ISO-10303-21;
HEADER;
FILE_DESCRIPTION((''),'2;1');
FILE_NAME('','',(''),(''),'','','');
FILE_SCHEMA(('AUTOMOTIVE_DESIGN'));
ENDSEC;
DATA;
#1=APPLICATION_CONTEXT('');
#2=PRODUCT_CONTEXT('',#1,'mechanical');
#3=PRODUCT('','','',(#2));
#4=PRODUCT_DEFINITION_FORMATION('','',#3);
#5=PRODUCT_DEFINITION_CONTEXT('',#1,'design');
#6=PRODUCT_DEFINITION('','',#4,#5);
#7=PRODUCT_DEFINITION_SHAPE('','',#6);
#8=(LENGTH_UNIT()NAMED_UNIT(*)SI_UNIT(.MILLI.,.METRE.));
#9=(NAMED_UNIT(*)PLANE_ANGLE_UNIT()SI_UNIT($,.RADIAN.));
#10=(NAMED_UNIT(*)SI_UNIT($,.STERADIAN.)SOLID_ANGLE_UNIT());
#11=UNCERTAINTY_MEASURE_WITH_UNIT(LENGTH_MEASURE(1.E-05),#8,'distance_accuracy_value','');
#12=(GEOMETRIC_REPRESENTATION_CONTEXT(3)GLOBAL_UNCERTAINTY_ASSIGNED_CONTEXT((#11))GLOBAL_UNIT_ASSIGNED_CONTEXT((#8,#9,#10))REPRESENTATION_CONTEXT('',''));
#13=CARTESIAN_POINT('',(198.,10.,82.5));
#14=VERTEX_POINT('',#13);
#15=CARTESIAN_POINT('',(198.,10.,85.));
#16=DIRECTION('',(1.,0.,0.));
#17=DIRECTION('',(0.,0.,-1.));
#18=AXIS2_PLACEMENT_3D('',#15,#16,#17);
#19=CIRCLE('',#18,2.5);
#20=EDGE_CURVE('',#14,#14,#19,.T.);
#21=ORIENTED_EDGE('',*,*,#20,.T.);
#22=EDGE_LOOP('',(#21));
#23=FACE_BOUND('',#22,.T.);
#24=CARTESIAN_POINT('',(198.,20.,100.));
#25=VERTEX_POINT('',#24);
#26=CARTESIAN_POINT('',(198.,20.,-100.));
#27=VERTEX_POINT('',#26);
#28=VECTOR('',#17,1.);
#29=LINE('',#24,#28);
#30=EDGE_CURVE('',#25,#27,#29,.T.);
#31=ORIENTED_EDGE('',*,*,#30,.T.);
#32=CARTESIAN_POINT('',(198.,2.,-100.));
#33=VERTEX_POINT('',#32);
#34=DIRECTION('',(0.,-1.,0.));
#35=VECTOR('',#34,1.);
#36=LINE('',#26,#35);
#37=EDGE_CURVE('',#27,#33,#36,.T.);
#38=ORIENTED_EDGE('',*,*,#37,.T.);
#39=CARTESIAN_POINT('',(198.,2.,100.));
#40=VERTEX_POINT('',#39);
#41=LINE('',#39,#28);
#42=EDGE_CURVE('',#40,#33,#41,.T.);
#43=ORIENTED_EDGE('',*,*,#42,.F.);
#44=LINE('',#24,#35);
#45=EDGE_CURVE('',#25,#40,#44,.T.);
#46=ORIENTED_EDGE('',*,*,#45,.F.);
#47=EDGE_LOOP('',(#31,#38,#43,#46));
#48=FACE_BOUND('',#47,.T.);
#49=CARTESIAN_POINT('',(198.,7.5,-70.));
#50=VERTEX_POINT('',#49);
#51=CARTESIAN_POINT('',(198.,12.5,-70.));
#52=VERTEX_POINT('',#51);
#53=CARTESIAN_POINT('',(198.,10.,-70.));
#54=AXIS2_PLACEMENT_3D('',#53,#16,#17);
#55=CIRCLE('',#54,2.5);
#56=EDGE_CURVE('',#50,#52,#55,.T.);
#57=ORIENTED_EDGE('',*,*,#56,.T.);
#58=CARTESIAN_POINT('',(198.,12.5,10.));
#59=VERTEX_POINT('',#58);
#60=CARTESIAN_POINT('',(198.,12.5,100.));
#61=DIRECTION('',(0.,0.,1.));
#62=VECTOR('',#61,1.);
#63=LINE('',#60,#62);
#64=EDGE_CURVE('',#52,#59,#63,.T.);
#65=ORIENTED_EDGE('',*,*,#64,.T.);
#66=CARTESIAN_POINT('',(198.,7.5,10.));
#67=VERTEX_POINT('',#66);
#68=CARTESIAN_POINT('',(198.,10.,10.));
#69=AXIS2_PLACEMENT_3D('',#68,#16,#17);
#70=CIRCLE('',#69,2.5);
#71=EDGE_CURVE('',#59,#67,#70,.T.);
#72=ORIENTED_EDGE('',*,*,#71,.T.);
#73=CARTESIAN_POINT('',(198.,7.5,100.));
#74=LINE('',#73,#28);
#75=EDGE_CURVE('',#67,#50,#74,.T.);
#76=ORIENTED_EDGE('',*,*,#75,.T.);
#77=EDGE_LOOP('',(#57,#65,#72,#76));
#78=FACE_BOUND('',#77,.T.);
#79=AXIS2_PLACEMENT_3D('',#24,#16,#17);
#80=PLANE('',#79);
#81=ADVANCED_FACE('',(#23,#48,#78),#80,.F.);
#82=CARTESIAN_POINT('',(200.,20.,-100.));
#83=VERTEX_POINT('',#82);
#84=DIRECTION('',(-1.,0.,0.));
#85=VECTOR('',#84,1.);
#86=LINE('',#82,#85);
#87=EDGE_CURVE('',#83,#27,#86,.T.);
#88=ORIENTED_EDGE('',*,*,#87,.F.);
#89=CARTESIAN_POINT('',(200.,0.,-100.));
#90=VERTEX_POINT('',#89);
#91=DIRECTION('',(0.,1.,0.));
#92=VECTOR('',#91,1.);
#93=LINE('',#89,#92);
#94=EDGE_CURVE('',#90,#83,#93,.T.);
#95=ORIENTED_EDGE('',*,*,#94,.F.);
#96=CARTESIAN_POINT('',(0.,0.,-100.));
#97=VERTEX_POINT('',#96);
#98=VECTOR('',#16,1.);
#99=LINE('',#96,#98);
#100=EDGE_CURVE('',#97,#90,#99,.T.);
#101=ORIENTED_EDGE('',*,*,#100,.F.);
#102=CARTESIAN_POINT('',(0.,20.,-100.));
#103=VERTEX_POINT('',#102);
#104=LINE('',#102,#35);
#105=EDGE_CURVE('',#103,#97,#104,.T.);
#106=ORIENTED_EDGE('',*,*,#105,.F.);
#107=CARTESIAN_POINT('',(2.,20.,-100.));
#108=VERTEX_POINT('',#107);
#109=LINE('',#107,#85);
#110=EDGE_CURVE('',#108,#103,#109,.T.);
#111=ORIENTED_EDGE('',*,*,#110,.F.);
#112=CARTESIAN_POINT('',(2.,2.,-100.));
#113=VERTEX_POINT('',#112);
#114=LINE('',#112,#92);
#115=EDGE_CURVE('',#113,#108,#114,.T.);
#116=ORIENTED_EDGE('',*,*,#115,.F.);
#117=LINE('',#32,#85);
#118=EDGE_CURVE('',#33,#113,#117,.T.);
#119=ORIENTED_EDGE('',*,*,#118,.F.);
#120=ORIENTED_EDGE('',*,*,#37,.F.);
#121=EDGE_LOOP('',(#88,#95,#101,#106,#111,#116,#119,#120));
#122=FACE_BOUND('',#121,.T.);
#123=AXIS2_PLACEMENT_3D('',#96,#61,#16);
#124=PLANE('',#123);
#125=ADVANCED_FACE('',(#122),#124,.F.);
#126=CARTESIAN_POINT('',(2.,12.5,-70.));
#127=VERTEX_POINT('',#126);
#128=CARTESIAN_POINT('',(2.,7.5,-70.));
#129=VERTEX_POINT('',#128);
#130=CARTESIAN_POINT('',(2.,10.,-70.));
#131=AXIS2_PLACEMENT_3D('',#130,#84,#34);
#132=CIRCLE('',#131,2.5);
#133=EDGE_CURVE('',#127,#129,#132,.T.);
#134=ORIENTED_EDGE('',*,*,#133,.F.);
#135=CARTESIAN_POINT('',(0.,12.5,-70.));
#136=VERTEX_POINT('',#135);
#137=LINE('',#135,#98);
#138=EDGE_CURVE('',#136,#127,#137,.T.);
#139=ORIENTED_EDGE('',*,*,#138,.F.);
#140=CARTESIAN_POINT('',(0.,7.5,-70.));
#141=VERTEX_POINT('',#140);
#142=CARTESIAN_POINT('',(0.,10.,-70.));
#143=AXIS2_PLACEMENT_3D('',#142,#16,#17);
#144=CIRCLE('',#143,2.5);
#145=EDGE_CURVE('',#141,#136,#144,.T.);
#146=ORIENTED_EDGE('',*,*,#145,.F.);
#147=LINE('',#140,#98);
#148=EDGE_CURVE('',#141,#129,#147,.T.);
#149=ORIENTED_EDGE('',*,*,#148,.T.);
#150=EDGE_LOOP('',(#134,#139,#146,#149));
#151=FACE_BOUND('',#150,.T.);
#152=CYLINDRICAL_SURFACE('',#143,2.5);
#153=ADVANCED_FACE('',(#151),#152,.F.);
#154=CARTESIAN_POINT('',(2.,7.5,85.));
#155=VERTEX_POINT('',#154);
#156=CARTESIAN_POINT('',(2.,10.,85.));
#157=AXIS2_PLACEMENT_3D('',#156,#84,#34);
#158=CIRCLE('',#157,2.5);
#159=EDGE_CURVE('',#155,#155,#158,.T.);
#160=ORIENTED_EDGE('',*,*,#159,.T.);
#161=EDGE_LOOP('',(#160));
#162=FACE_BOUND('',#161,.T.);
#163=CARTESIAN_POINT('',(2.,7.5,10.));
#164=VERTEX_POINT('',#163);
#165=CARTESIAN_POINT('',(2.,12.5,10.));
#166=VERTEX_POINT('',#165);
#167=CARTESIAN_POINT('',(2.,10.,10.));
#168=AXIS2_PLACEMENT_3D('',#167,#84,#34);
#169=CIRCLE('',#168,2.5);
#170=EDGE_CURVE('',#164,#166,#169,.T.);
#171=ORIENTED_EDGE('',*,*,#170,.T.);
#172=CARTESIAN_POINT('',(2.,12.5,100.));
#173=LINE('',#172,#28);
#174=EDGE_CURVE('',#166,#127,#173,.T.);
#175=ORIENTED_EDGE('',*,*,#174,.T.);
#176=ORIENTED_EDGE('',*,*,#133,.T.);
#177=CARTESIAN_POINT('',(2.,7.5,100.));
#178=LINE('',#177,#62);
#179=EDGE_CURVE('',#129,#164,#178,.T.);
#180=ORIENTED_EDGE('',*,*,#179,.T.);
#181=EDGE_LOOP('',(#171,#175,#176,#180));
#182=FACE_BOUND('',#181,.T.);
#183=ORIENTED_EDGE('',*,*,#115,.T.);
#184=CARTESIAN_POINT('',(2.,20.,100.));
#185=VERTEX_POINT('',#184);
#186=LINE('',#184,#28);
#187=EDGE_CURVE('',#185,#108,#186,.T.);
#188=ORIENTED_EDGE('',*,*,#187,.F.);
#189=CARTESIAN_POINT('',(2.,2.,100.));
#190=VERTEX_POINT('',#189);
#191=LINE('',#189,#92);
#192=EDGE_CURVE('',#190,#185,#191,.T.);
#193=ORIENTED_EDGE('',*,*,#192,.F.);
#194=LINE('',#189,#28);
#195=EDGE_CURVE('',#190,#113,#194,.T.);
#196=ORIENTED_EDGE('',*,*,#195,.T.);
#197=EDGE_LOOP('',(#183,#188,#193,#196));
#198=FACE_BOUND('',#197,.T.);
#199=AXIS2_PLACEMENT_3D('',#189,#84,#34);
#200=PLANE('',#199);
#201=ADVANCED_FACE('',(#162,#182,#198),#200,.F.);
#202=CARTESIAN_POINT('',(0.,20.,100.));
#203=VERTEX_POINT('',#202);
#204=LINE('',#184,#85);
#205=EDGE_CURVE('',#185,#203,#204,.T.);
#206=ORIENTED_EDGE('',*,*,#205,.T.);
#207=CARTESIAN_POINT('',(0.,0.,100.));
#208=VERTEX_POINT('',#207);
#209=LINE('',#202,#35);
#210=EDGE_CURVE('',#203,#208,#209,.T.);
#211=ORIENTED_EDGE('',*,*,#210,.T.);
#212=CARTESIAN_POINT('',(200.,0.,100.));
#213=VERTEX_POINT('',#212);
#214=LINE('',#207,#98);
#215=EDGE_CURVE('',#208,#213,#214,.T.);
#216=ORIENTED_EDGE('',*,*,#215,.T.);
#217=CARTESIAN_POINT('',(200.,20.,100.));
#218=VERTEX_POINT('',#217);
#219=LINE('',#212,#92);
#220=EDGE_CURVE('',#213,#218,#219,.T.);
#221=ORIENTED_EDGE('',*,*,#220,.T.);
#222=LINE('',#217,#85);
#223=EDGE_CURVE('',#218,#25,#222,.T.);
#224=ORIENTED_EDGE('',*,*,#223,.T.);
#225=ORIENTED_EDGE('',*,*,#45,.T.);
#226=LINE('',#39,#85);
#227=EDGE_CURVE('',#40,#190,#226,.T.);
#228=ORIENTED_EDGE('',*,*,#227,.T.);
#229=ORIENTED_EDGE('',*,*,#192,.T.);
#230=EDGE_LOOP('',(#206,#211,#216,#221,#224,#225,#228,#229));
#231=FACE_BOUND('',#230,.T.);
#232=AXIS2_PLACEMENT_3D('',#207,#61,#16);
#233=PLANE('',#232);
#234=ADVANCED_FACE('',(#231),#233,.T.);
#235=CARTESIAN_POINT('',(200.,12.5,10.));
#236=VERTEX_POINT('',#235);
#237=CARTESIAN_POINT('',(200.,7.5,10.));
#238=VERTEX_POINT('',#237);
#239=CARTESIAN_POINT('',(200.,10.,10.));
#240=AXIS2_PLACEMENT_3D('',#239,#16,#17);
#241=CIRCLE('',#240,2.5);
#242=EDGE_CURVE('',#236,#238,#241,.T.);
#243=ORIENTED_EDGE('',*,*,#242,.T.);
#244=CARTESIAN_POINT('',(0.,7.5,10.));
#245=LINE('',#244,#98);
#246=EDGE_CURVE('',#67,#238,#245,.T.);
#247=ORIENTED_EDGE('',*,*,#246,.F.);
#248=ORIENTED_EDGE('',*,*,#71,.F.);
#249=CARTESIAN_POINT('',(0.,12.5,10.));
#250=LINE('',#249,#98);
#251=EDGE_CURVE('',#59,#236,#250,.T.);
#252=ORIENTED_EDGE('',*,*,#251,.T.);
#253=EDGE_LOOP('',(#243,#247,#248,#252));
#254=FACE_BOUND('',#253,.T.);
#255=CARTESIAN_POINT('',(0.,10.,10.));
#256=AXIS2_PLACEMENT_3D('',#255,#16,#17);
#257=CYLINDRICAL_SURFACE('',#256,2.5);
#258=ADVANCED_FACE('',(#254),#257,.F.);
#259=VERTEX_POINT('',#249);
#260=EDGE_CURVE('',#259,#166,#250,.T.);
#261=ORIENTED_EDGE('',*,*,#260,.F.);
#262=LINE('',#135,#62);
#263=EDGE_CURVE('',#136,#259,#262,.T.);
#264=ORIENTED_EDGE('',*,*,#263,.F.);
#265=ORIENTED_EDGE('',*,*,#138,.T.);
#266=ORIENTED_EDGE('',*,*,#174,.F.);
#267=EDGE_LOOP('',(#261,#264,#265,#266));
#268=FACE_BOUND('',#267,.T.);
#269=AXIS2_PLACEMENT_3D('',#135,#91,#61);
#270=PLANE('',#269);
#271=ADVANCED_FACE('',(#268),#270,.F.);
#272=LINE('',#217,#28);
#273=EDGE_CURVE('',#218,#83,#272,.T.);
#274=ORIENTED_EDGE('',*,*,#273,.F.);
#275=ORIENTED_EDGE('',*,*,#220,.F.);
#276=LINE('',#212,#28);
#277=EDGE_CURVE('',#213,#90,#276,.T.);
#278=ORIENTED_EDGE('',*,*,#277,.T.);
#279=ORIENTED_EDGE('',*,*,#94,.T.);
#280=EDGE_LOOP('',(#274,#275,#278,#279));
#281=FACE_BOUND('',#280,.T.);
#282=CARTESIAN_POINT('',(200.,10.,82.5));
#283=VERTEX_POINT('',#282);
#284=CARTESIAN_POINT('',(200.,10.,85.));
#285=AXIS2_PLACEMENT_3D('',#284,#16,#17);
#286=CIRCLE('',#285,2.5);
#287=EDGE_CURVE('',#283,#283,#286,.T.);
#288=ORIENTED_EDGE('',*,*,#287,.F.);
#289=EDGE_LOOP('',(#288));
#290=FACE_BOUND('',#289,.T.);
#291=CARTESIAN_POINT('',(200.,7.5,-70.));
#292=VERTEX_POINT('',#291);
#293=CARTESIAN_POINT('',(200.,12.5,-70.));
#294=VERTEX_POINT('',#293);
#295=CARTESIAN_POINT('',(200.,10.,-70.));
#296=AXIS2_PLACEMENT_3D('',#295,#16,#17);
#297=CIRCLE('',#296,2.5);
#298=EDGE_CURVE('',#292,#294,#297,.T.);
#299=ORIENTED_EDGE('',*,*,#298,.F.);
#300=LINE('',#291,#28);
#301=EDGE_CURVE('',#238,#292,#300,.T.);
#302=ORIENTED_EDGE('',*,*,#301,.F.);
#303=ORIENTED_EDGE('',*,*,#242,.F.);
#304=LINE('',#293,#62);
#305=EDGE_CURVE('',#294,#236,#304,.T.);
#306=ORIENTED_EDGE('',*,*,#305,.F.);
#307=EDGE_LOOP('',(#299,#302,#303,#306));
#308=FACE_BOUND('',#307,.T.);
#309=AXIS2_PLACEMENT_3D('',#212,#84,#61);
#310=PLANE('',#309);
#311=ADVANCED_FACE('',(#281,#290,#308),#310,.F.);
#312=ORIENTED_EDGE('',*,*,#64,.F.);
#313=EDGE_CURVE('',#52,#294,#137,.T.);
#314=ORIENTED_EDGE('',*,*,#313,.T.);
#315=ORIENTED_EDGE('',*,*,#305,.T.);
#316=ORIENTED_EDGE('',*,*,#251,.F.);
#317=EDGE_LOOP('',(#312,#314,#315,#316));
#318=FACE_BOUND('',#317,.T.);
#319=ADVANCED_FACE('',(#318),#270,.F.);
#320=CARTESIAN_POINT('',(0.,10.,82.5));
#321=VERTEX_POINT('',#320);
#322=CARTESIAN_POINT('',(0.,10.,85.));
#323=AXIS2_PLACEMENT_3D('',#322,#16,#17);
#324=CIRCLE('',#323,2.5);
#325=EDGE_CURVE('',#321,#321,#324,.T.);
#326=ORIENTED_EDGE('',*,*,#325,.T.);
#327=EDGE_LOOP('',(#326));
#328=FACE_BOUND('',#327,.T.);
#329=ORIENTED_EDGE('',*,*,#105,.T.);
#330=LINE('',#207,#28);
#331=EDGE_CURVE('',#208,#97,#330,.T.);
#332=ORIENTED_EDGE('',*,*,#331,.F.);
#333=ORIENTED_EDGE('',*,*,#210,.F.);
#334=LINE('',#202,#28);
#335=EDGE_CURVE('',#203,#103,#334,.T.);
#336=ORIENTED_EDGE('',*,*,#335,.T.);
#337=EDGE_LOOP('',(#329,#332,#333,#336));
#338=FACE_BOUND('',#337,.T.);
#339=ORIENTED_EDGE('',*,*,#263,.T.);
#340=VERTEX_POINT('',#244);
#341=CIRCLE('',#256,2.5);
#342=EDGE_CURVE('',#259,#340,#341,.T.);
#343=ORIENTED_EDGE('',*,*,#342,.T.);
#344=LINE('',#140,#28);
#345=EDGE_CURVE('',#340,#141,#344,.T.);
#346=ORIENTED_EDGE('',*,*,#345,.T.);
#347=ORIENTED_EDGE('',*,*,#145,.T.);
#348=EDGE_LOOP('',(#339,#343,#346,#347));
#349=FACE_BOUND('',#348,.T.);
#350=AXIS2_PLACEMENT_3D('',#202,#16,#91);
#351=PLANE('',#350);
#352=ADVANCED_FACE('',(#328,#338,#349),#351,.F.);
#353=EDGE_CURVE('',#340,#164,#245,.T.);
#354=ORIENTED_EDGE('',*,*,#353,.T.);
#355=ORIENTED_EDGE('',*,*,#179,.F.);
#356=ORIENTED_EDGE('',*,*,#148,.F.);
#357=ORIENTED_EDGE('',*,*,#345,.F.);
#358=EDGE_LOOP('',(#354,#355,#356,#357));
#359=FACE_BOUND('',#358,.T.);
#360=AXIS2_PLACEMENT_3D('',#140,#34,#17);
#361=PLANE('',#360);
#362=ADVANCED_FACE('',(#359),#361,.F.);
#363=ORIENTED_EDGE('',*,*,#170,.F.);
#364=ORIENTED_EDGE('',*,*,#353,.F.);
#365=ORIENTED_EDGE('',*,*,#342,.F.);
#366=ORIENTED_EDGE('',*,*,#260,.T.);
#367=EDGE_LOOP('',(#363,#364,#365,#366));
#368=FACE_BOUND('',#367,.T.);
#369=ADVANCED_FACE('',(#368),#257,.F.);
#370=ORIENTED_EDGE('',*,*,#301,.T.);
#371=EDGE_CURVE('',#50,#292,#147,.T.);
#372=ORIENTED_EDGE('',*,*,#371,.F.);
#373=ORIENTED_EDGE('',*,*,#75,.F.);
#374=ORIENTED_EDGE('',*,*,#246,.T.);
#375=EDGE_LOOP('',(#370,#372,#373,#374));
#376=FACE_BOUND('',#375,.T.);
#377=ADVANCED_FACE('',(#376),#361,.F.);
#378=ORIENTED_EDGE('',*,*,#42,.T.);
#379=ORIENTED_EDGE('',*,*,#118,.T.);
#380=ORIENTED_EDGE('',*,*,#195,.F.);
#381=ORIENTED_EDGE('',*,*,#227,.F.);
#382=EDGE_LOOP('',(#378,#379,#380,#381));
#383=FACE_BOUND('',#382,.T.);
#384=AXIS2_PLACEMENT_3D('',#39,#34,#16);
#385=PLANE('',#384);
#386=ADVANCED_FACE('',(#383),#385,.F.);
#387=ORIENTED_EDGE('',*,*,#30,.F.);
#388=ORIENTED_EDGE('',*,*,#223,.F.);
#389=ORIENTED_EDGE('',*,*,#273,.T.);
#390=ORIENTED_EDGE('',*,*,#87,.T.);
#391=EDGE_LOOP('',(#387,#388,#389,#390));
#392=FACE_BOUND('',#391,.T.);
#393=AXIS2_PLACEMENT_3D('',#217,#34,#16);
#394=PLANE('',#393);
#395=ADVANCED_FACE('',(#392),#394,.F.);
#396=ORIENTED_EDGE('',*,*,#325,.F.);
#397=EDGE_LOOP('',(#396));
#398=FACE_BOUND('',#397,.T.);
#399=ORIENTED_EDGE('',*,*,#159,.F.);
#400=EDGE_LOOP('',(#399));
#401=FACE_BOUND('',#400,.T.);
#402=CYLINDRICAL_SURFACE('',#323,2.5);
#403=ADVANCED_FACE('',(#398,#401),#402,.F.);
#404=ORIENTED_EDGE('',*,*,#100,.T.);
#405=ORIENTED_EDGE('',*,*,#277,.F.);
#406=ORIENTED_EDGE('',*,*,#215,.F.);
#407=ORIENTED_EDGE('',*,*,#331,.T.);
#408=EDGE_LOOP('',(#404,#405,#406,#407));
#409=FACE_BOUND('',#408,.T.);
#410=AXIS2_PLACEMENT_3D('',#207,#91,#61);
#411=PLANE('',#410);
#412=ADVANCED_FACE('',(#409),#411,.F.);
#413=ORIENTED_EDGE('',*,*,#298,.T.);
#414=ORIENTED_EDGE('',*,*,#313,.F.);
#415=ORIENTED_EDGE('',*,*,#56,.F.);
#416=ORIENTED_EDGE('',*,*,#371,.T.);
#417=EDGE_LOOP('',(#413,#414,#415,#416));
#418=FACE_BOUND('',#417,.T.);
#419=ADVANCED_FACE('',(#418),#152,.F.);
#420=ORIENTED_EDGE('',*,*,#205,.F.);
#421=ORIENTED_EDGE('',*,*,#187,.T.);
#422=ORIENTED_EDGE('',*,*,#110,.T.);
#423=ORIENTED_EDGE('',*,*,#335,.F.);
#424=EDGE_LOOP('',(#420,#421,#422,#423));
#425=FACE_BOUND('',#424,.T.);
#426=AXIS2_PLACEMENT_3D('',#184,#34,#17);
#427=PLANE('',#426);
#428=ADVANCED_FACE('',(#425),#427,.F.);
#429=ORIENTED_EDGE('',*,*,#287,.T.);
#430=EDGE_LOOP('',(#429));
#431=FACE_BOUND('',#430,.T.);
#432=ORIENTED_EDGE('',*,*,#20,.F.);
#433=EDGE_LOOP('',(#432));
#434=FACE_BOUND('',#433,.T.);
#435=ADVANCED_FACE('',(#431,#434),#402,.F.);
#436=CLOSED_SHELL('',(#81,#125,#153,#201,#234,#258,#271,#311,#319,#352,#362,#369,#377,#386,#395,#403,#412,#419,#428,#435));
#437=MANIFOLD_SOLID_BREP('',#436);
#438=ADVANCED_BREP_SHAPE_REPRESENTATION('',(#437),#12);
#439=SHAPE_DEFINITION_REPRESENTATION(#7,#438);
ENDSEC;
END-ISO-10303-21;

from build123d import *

# Parameters (mm, degrees)
BOSS_EXTRUDE1_DEPTH = 100
SKETCH2_R           = 2.5
CUT_EXTRUDE1_DEPTH  = 225.499443206


with BuildPart() as part:
    # Sketch1 → Boss-Extrude1 (new, symmetric)
    with BuildSketch(Plane.XY):
        Polygon((0, 20), (0, 0), (200, 0), (200, 20), (198, 20), (198, 2), (2, 2), (2, 20), align=None)
    extrude(amount=BOSS_EXTRUDE1_DEPTH, both=True)

    # Sketch2 → Cut-Extrude1 (cut, through all)
    with BuildSketch(Plane(origin=(200, 0, 0), x_dir=(0, 0, -1), z_dir=(1, 0, 0))):
        with Locations((-85, 10)):
            Circle(SKETCH2_R)
        with BuildLine():
            Line((70, 7.5), (-10, 7.5))
            ThreePointArc((-10, 7.5), (-12.5, 10), (-10, 12.5))
            Line((-10, 12.5), (70, 12.5))
            ThreePointArc((70, 12.5), (72.5, 10), (70, 7.5))
        make_face()
    extrude(amount=-CUT_EXTRUDE1_DEPTH, mode=Mode.SUBTRACT)


solid = part.part
